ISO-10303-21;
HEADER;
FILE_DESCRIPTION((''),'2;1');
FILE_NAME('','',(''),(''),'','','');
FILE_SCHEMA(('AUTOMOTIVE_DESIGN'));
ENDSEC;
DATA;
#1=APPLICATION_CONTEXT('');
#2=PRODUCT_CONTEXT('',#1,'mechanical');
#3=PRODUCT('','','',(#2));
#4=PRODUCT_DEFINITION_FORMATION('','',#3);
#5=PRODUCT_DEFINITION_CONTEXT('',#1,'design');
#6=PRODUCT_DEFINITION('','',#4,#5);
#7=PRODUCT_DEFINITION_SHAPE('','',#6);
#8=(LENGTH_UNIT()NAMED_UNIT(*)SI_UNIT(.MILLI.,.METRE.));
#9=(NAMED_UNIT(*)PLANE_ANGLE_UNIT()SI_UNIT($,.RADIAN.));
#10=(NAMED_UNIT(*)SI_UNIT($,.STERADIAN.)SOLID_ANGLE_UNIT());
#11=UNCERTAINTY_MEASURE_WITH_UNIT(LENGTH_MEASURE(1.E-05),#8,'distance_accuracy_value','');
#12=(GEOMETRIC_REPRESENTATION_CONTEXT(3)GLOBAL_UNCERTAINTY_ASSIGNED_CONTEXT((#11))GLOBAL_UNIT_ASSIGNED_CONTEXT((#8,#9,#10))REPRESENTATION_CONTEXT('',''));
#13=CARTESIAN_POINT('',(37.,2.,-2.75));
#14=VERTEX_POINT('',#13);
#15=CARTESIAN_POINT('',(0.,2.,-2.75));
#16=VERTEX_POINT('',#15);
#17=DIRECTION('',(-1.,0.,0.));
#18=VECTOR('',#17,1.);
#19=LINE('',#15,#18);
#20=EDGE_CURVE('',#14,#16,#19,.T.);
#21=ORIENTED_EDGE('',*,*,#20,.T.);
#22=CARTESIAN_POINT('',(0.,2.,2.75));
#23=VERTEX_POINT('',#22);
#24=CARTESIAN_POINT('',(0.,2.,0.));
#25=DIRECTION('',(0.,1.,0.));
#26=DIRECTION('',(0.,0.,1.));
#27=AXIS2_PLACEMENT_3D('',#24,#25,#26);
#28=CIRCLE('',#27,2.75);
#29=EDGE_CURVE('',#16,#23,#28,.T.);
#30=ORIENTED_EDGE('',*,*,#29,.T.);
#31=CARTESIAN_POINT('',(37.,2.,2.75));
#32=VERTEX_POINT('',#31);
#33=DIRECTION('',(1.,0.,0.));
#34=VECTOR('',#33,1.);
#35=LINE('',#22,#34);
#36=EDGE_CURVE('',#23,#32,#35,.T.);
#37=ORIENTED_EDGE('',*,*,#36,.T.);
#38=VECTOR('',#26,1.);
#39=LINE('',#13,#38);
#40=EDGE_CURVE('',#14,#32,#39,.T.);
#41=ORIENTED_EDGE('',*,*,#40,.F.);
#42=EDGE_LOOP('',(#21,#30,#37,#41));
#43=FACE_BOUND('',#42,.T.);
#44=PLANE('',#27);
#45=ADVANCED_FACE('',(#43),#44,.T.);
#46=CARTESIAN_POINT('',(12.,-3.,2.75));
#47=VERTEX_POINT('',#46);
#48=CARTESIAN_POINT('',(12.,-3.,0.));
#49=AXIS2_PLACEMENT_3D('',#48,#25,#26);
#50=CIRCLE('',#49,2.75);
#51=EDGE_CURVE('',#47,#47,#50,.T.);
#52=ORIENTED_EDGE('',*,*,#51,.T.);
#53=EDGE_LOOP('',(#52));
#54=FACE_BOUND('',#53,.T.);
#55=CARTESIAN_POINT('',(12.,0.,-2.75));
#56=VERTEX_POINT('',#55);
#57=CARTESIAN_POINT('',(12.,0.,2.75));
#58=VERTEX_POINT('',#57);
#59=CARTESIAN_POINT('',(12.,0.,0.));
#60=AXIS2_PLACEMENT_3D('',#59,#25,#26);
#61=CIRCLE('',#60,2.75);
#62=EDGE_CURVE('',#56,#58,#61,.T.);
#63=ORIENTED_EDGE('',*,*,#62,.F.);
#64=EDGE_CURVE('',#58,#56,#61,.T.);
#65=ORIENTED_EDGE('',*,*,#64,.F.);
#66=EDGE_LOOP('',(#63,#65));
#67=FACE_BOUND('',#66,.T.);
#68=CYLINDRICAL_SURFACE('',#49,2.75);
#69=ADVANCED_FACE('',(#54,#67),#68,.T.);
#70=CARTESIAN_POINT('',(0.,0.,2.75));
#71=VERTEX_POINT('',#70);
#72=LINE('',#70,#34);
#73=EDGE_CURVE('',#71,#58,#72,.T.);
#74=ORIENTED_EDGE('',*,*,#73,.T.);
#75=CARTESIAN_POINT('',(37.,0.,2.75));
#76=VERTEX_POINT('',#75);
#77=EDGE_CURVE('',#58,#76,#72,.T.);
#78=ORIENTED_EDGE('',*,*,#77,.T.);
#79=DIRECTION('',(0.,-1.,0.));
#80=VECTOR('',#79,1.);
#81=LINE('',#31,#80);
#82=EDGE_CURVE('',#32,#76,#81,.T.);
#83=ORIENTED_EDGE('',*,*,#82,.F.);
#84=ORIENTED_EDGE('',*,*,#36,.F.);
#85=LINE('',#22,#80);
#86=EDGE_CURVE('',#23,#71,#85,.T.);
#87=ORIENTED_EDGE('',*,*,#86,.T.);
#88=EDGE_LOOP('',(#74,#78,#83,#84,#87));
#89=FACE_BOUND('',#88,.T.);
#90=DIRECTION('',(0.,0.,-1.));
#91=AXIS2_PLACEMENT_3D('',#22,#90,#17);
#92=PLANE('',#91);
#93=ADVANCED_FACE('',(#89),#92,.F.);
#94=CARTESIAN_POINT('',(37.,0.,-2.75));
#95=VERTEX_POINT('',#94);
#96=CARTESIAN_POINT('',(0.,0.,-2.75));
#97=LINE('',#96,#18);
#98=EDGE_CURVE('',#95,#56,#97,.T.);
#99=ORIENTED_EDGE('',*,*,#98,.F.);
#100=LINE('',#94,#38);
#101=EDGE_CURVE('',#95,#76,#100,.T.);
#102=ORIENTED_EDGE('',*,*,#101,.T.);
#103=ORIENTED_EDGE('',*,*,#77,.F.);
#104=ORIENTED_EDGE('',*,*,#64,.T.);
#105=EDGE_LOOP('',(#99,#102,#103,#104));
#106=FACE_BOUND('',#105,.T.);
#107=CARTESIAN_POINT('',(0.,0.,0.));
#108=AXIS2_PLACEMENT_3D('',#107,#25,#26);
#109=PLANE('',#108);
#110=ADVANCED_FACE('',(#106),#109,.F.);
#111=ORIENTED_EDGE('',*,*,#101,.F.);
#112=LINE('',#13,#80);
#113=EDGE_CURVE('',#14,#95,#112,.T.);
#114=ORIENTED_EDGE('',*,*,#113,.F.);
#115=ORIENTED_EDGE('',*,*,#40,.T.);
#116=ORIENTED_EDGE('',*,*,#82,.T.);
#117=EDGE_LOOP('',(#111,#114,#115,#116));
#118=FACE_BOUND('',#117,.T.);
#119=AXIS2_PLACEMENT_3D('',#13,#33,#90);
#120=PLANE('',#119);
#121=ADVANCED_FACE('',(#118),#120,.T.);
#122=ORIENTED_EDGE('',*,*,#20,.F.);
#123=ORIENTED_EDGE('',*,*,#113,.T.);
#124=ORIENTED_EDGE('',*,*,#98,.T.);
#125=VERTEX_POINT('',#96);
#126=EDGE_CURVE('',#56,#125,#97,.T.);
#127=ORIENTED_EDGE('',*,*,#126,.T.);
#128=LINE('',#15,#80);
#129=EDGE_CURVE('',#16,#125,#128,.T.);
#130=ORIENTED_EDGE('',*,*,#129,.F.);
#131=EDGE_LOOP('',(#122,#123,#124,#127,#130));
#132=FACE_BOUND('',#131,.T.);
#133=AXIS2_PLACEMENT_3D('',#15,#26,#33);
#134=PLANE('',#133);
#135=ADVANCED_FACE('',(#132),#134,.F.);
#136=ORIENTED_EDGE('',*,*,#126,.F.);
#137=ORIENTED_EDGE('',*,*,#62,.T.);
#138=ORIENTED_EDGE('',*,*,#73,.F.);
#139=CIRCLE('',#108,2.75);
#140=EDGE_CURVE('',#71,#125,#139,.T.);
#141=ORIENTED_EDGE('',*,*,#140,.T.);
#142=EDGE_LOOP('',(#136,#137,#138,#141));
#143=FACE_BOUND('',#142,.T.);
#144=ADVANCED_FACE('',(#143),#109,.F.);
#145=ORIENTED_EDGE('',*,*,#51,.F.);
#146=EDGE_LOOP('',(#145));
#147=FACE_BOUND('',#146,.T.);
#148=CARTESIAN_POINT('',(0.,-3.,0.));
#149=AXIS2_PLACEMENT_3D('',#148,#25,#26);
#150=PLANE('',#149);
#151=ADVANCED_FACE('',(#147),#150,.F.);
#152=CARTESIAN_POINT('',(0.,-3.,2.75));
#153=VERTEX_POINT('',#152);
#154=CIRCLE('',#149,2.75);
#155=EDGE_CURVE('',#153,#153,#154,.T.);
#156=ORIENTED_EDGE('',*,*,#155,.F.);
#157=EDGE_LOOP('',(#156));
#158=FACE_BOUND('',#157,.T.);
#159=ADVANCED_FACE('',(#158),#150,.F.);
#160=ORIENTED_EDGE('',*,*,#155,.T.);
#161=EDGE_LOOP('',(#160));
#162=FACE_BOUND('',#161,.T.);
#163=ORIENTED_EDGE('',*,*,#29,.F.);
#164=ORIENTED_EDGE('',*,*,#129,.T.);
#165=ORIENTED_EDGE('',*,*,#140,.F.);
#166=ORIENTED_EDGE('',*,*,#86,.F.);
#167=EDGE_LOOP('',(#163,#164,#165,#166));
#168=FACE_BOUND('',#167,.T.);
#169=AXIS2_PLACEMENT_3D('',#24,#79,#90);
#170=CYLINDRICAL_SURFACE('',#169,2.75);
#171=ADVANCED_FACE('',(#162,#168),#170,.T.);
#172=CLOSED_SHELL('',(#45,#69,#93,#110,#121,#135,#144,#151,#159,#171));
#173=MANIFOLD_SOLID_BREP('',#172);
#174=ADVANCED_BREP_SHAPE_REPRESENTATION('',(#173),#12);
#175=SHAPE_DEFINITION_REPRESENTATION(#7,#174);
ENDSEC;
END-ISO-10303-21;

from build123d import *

# Parameters (mm, degrees)
BOSS_EXTRUDE1_DEPTH = 2
BOSS_EXTRUDE2_START = -3
SKETCH1_3_R         = 2.75
BOSS_EXTRUDE2_DEPTH = 3


with BuildPart() as part:
    # Sketch1 → Boss-Extrude1 (new body)
    with BuildSketch(Plane(origin=(0, 0, 0), x_dir=(1, 0, 0), z_dir=(0, 1, 0))):
        with BuildLine():
            Line((37, 2.75), (0, 2.75))
            ThreePointArc((0, 2.75), (-2.75, 0), (0, -2.75))
            Line((0, -2.75), (37, -2.75))
            Line((37, -2.75), (37, 2.75))
        make_face()
    extrude(amount=BOSS_EXTRUDE1_DEPTH)

    # Sketch1<3> → Boss-Extrude2 (add)
    with BuildSketch(Plane(origin=(0, 0, 0), x_dir=(1, 0, 0), z_dir=(0, 1, 0)).offset(BOSS_EXTRUDE2_START)):
        with Locations((12, 0)):
            Circle(SKETCH1_3_R)
        Circle(SKETCH1_3_R)
    extrude(amount=BOSS_EXTRUDE2_DEPTH)


solid = part.part
